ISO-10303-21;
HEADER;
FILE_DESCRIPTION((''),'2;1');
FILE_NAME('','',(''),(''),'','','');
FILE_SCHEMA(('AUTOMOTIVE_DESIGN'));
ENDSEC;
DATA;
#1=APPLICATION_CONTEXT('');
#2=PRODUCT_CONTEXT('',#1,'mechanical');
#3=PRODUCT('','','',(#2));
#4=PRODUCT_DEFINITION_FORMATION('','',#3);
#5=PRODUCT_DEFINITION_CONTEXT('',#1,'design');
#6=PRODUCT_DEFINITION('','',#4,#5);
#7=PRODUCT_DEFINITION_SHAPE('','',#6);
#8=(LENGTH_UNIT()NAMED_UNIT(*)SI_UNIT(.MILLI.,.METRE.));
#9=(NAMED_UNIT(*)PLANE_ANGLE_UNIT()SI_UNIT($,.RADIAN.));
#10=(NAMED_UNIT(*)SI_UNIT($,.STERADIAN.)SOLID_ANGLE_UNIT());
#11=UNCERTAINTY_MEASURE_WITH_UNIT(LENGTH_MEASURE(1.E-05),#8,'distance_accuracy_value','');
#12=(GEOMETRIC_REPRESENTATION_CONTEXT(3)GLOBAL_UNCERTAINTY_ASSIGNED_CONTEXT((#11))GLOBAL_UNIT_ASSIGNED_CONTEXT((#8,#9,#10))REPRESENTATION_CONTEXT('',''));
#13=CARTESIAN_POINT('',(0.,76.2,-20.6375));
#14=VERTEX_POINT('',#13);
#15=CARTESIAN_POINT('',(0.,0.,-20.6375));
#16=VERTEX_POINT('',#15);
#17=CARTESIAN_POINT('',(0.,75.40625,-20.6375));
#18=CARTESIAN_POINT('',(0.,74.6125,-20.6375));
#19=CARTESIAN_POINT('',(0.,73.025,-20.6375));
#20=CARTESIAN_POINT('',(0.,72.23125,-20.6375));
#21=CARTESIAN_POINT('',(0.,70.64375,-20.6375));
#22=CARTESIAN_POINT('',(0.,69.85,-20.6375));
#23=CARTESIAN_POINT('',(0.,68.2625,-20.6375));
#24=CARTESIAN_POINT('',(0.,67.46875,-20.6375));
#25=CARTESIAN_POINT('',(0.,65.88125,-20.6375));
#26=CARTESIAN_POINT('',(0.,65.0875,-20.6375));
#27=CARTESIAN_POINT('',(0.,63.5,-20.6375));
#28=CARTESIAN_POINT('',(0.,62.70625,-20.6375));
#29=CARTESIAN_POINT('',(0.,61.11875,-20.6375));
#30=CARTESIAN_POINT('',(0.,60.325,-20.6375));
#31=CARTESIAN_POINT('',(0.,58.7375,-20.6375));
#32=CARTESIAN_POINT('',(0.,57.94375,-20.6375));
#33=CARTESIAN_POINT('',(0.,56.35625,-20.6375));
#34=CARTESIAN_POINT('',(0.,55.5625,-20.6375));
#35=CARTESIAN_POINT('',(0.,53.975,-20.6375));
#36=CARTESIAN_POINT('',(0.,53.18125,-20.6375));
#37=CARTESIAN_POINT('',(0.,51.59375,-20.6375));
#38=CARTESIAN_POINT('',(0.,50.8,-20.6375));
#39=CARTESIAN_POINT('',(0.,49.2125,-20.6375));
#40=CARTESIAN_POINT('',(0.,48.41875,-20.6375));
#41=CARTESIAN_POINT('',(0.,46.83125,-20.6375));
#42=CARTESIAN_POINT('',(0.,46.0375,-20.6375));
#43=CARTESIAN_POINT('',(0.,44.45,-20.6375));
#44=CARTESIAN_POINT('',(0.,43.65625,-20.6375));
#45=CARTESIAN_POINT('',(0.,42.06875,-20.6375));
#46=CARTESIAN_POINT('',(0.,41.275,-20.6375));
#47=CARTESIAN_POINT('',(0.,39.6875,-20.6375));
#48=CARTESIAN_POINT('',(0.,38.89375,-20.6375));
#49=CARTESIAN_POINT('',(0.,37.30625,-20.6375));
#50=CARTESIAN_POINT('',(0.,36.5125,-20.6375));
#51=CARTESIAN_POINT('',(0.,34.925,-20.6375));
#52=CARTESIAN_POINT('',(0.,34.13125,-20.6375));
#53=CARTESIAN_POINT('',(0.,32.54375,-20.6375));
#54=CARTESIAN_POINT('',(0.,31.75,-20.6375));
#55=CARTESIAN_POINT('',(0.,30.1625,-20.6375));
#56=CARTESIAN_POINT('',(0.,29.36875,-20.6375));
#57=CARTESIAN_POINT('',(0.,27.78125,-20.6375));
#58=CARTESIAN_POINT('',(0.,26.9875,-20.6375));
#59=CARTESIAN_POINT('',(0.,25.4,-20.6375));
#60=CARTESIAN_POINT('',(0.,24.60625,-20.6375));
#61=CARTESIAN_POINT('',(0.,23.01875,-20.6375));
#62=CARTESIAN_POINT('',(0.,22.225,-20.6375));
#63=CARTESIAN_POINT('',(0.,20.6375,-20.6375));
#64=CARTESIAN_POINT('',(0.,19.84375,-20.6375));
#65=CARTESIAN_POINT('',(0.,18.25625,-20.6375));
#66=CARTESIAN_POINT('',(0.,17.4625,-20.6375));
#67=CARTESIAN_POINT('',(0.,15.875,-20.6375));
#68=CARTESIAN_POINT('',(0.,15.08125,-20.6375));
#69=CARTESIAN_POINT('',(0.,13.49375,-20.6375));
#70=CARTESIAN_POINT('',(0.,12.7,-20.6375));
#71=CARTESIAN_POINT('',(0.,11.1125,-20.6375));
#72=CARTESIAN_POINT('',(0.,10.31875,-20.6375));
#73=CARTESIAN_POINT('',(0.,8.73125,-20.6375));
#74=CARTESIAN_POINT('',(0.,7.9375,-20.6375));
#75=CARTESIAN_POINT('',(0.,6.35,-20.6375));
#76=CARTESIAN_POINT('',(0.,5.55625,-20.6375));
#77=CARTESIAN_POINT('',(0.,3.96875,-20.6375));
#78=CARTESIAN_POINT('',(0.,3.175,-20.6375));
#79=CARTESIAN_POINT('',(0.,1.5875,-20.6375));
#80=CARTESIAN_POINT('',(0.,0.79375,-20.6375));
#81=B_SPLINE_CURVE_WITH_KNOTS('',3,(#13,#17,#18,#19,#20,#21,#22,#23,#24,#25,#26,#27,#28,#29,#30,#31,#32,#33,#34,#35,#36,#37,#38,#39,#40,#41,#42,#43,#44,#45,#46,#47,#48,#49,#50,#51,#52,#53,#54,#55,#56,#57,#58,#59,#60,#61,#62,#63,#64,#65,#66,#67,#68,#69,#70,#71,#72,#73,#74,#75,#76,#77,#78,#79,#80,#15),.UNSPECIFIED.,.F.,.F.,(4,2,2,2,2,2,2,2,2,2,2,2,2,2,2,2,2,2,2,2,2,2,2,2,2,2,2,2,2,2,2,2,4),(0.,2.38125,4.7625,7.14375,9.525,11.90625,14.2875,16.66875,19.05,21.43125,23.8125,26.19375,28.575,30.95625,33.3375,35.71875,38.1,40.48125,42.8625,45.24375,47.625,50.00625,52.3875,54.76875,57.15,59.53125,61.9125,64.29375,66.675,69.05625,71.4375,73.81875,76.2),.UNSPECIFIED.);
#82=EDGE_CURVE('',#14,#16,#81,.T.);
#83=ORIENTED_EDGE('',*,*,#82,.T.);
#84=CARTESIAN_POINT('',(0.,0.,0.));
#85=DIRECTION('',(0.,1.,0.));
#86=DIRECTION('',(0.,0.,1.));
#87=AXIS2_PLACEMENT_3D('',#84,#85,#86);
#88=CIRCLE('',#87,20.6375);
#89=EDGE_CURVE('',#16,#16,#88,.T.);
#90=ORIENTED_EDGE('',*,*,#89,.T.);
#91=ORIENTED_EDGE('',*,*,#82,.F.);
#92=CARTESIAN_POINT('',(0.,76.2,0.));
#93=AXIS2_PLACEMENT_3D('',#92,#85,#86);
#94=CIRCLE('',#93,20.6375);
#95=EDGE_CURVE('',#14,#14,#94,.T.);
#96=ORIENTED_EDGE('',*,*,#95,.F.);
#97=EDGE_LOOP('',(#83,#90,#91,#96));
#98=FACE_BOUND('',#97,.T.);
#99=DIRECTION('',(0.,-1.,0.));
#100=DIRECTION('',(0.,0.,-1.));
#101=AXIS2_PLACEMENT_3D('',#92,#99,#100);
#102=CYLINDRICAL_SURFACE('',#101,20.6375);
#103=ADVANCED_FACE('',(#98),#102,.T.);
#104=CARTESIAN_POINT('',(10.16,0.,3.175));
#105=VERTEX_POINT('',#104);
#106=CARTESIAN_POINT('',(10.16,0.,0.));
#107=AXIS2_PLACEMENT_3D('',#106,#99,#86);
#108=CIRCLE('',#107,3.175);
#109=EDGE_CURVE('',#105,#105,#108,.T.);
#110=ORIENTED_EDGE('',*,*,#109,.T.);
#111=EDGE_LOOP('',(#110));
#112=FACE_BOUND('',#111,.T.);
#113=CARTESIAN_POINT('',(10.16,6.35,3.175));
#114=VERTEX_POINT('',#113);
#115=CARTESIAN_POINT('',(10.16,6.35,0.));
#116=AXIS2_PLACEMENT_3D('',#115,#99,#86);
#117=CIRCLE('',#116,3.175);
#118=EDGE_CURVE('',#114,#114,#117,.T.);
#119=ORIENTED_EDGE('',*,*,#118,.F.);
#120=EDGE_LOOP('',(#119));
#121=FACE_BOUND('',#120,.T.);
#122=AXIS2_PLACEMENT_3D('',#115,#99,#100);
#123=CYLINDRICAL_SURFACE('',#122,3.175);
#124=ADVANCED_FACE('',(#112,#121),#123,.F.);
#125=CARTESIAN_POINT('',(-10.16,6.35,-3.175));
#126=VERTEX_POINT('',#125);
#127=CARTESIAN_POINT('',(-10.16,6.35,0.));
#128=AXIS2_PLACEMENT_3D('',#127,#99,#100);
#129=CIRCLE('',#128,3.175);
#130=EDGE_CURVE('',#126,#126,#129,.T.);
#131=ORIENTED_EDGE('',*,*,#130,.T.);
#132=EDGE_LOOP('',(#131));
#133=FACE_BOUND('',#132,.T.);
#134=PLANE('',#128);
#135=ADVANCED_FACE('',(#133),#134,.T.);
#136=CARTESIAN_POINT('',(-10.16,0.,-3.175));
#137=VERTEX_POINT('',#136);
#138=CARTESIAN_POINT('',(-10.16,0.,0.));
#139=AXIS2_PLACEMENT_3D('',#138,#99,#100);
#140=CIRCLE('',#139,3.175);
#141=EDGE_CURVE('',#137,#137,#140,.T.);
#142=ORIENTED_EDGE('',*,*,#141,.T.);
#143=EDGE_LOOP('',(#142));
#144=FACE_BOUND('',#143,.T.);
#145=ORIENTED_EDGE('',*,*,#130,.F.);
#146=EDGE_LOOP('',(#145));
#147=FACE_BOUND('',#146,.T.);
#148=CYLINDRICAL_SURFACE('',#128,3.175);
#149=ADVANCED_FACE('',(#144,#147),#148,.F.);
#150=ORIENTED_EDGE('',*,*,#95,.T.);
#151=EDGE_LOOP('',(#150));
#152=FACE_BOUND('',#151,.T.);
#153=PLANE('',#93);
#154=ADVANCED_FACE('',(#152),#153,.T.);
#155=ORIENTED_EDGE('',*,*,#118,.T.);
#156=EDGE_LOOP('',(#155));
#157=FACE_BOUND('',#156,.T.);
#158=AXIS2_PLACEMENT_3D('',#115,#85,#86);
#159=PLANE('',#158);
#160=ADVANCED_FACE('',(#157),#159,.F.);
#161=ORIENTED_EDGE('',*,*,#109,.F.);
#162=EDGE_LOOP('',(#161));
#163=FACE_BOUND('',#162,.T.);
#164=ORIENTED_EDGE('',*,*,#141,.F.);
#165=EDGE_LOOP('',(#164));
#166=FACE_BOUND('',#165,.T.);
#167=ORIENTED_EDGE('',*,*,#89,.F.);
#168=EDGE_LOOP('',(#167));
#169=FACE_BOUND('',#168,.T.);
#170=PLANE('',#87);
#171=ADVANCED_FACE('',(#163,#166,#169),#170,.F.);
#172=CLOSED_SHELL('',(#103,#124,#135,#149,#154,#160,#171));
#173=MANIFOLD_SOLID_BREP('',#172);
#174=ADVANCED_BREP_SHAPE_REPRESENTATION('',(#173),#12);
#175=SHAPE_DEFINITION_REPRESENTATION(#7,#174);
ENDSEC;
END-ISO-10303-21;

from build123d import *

# Parameters (mm, degrees)
SKETCH1_R           = 20.6375
BOSS_EXTRUDE1_DEPTH = 76.2
SKETCH2_R           = 3.175
CUT_EXTRUDE1_DEPTH  = 6.35


with BuildPart() as part:
    # Sketch1 → Boss-Extrude1 (new body)
    with BuildSketch(Plane(origin=(0, 0, 0), x_dir=(1, 0, 0), z_dir=(0, 1, 0))):
        with Locations(Location((0, 0, 0), (0, 0, 90))):
            Circle(SKETCH1_R)
    extrude(amount=BOSS_EXTRUDE1_DEPTH)

    # Sketch2 → Cut-Extrude1 (cut)
    with BuildSketch(Plane.XZ):
        with Locations(Location((-10.16, 0, 0), (0, 0, 270))):
            Circle(SKETCH2_R)
        with Locations(Location((10.16, 0, 0), (0, 0, 90))):
            Circle(SKETCH2_R)
    extrude(amount=-CUT_EXTRUDE1_DEPTH, mode=Mode.SUBTRACT)


solid = part.part
